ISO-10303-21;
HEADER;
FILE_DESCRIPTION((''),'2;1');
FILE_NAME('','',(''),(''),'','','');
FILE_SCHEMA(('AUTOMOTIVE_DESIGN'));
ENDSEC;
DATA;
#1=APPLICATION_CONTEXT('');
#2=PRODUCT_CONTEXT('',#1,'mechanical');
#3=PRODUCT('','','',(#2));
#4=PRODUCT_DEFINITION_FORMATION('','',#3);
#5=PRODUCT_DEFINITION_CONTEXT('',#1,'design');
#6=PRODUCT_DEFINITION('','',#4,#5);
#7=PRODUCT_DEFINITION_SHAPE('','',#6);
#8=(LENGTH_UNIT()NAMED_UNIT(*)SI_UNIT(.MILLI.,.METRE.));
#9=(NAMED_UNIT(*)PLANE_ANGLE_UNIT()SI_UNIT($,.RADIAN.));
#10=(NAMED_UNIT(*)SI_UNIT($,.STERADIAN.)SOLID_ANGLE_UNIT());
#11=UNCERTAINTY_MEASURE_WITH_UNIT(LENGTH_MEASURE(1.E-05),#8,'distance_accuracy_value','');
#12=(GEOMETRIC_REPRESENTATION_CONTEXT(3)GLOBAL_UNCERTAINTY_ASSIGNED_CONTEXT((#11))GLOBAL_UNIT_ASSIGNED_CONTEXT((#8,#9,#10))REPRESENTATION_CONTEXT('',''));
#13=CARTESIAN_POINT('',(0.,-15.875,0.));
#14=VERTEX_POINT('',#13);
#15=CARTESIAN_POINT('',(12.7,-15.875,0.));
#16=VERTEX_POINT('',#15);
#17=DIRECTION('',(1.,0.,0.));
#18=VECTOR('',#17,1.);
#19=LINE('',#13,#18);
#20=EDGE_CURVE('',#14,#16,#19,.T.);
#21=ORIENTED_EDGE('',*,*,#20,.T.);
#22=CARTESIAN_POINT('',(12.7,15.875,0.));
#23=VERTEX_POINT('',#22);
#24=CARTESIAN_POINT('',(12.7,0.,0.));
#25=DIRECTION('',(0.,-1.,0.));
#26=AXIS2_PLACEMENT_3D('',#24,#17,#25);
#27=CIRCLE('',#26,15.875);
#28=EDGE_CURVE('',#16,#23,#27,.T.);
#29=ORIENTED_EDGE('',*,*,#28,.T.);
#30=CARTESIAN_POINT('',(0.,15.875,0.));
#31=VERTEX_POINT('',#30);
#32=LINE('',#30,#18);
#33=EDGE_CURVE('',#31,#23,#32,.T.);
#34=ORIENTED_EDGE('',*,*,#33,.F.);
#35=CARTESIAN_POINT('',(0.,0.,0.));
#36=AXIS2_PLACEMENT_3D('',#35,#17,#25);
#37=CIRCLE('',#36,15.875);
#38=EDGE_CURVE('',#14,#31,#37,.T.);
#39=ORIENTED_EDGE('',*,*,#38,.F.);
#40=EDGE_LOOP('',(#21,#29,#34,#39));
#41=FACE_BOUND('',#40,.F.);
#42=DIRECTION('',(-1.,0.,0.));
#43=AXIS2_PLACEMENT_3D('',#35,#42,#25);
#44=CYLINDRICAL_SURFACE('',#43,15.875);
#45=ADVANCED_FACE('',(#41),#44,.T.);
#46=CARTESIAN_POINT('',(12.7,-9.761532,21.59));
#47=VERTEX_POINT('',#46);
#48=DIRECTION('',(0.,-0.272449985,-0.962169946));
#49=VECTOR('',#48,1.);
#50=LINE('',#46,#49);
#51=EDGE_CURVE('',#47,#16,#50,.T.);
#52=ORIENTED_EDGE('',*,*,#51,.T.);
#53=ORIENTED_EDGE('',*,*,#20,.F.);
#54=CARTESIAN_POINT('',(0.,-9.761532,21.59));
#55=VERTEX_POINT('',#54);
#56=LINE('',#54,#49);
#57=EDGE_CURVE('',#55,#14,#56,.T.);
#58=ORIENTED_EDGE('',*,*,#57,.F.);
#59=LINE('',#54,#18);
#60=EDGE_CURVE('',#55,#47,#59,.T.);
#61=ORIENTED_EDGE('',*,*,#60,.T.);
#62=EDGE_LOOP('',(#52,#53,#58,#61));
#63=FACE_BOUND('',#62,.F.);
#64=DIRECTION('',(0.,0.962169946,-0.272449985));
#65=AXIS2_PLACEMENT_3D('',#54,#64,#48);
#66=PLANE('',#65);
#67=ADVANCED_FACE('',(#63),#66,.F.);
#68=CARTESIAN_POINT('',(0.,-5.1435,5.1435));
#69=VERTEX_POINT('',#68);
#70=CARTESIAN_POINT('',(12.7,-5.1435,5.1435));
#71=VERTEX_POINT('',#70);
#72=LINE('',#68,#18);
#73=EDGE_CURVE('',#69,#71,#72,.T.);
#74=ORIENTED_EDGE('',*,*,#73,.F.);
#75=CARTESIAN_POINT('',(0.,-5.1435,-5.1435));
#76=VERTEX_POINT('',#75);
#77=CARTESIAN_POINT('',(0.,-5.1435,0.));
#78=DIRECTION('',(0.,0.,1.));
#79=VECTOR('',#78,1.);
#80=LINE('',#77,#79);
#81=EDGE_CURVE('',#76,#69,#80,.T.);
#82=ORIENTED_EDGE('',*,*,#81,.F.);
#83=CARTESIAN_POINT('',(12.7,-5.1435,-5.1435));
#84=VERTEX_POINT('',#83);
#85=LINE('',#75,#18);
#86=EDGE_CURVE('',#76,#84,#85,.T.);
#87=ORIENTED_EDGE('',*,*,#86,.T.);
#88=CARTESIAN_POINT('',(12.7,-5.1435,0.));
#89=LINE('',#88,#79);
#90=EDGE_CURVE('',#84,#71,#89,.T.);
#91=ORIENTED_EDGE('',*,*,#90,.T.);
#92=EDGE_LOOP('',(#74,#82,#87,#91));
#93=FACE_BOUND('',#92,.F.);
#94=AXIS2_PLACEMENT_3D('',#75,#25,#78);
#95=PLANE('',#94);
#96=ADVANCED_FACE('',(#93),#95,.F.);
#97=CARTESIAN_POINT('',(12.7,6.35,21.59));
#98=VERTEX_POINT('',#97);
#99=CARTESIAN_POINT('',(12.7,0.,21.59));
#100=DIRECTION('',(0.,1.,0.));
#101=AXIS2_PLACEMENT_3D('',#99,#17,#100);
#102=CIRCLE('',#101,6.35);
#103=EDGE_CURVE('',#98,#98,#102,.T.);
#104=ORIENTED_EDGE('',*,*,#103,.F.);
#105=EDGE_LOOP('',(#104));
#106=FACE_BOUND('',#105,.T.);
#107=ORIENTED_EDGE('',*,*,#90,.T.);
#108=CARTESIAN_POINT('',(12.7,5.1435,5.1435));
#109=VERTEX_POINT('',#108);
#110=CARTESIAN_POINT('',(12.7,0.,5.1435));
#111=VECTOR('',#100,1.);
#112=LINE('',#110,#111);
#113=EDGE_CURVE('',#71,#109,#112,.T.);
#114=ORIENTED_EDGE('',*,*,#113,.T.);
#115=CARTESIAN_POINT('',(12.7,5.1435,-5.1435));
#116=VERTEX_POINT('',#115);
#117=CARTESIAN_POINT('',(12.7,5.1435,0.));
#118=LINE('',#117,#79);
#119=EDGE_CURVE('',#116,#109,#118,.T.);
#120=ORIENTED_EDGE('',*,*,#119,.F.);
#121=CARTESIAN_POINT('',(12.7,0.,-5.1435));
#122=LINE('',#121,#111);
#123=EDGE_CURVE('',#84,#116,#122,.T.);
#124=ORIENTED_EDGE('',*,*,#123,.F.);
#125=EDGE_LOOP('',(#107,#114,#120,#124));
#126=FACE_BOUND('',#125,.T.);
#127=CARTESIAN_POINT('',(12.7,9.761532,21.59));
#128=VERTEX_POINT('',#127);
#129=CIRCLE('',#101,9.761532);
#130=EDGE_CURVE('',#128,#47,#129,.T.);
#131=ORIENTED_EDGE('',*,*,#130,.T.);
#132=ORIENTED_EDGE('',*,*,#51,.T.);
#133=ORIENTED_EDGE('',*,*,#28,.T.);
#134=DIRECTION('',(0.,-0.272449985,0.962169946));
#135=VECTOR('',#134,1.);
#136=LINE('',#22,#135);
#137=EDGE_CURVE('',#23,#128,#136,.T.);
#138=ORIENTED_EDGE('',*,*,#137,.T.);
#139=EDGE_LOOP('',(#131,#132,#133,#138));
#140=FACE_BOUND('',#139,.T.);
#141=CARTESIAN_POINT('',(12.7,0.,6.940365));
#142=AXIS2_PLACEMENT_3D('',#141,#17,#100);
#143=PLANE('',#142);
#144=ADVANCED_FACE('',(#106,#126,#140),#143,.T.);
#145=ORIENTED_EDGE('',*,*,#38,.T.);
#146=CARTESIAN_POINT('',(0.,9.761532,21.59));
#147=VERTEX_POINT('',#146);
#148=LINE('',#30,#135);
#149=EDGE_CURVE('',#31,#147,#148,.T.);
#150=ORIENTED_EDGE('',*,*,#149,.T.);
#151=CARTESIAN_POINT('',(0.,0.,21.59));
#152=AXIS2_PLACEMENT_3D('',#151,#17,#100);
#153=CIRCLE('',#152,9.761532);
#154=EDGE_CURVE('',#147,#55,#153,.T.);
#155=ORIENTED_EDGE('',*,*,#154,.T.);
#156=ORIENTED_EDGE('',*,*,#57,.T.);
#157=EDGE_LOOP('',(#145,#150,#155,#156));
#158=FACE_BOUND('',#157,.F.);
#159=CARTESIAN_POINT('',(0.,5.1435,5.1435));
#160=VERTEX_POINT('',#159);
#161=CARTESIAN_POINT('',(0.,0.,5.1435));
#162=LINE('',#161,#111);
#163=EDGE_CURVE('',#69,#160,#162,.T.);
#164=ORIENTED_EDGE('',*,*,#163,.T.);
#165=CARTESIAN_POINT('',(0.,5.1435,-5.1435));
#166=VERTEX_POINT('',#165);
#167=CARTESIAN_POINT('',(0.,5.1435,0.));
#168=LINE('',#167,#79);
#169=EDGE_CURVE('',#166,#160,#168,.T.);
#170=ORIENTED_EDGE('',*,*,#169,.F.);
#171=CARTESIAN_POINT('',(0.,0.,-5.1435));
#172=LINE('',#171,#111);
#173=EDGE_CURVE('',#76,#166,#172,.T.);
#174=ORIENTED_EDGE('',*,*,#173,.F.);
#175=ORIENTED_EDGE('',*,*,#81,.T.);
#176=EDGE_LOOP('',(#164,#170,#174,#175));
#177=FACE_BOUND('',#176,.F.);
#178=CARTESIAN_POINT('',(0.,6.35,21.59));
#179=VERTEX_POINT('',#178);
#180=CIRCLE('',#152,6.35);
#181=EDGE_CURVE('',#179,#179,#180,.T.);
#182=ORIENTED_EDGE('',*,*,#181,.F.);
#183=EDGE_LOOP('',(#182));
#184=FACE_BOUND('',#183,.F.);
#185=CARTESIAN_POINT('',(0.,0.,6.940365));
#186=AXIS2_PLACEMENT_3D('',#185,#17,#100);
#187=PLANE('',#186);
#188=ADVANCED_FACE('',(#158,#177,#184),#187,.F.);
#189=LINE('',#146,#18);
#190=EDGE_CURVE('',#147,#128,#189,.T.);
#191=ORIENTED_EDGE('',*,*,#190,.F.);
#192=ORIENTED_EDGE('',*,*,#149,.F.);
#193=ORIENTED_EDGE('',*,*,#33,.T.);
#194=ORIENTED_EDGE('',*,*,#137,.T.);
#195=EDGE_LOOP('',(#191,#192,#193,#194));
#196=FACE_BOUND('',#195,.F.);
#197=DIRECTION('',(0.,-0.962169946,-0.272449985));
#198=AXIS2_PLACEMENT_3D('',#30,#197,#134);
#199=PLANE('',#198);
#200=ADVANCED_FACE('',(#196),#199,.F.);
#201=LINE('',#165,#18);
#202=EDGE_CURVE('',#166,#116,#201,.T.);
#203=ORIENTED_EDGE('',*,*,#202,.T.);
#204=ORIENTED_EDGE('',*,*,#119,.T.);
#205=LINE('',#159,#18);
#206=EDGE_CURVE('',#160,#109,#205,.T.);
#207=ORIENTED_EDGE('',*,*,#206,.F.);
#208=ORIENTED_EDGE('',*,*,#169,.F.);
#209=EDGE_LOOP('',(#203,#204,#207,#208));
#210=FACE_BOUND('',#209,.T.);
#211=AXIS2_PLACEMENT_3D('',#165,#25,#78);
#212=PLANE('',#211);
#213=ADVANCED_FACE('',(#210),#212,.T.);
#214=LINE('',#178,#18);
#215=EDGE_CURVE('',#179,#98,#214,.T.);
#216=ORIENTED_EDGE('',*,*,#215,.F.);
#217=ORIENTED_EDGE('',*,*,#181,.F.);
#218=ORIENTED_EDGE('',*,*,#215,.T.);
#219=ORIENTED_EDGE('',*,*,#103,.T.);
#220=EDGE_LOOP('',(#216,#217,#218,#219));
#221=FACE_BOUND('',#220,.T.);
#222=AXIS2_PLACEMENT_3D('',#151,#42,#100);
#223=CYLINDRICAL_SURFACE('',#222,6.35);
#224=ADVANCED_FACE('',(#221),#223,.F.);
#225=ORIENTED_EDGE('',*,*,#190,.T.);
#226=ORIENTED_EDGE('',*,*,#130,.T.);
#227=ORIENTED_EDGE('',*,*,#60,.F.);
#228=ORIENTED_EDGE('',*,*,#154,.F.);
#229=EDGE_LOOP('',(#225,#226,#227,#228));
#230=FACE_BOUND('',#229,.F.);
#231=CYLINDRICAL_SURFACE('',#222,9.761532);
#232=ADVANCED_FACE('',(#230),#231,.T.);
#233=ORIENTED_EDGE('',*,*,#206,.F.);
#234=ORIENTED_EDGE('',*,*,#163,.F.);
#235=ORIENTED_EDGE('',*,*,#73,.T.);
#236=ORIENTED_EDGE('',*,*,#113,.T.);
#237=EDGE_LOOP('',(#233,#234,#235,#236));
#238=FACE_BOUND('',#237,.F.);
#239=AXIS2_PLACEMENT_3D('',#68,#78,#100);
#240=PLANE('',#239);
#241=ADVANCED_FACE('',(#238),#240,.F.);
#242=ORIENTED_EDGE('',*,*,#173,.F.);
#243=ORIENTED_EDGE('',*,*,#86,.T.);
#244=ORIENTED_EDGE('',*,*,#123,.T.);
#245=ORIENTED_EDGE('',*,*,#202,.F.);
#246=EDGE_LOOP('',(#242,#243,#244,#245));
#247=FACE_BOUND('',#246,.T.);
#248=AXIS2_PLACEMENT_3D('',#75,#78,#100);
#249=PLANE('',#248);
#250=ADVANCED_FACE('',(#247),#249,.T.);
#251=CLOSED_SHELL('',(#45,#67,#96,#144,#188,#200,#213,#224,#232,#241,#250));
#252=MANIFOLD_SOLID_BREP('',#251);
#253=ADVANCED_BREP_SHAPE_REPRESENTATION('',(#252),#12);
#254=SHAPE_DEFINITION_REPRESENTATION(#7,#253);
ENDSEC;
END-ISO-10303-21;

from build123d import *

# Parameters (mm, degrees)
F0_W     = 10.287
F0_H     = 10.287
F0_R     = 6.35
F1_DEPTH = 12.7


with BuildPart() as f1:
    # F0 (on Right) → F1 (new body)
    with BuildSketch(Plane.YZ):
        with BuildLine():
            Line((15.875, 0), (9.761532, 21.59))
            ThreePointArc((9.761532, 21.59), (0, 31.351532), (-9.761532, 21.59))
            Line((-9.761532, 21.59), (-15.875, 0))
            ThreePointArc((-15.875, 0), (0, -15.875), (15.875, 0))
        make_face()
        Rectangle(F0_W, F0_H, mode=Mode.SUBTRACT)
        with Locations((0, 21.59)):
            Circle(F0_R, mode=Mode.SUBTRACT)
    extrude(amount=F1_DEPTH)


solid = f1.part
